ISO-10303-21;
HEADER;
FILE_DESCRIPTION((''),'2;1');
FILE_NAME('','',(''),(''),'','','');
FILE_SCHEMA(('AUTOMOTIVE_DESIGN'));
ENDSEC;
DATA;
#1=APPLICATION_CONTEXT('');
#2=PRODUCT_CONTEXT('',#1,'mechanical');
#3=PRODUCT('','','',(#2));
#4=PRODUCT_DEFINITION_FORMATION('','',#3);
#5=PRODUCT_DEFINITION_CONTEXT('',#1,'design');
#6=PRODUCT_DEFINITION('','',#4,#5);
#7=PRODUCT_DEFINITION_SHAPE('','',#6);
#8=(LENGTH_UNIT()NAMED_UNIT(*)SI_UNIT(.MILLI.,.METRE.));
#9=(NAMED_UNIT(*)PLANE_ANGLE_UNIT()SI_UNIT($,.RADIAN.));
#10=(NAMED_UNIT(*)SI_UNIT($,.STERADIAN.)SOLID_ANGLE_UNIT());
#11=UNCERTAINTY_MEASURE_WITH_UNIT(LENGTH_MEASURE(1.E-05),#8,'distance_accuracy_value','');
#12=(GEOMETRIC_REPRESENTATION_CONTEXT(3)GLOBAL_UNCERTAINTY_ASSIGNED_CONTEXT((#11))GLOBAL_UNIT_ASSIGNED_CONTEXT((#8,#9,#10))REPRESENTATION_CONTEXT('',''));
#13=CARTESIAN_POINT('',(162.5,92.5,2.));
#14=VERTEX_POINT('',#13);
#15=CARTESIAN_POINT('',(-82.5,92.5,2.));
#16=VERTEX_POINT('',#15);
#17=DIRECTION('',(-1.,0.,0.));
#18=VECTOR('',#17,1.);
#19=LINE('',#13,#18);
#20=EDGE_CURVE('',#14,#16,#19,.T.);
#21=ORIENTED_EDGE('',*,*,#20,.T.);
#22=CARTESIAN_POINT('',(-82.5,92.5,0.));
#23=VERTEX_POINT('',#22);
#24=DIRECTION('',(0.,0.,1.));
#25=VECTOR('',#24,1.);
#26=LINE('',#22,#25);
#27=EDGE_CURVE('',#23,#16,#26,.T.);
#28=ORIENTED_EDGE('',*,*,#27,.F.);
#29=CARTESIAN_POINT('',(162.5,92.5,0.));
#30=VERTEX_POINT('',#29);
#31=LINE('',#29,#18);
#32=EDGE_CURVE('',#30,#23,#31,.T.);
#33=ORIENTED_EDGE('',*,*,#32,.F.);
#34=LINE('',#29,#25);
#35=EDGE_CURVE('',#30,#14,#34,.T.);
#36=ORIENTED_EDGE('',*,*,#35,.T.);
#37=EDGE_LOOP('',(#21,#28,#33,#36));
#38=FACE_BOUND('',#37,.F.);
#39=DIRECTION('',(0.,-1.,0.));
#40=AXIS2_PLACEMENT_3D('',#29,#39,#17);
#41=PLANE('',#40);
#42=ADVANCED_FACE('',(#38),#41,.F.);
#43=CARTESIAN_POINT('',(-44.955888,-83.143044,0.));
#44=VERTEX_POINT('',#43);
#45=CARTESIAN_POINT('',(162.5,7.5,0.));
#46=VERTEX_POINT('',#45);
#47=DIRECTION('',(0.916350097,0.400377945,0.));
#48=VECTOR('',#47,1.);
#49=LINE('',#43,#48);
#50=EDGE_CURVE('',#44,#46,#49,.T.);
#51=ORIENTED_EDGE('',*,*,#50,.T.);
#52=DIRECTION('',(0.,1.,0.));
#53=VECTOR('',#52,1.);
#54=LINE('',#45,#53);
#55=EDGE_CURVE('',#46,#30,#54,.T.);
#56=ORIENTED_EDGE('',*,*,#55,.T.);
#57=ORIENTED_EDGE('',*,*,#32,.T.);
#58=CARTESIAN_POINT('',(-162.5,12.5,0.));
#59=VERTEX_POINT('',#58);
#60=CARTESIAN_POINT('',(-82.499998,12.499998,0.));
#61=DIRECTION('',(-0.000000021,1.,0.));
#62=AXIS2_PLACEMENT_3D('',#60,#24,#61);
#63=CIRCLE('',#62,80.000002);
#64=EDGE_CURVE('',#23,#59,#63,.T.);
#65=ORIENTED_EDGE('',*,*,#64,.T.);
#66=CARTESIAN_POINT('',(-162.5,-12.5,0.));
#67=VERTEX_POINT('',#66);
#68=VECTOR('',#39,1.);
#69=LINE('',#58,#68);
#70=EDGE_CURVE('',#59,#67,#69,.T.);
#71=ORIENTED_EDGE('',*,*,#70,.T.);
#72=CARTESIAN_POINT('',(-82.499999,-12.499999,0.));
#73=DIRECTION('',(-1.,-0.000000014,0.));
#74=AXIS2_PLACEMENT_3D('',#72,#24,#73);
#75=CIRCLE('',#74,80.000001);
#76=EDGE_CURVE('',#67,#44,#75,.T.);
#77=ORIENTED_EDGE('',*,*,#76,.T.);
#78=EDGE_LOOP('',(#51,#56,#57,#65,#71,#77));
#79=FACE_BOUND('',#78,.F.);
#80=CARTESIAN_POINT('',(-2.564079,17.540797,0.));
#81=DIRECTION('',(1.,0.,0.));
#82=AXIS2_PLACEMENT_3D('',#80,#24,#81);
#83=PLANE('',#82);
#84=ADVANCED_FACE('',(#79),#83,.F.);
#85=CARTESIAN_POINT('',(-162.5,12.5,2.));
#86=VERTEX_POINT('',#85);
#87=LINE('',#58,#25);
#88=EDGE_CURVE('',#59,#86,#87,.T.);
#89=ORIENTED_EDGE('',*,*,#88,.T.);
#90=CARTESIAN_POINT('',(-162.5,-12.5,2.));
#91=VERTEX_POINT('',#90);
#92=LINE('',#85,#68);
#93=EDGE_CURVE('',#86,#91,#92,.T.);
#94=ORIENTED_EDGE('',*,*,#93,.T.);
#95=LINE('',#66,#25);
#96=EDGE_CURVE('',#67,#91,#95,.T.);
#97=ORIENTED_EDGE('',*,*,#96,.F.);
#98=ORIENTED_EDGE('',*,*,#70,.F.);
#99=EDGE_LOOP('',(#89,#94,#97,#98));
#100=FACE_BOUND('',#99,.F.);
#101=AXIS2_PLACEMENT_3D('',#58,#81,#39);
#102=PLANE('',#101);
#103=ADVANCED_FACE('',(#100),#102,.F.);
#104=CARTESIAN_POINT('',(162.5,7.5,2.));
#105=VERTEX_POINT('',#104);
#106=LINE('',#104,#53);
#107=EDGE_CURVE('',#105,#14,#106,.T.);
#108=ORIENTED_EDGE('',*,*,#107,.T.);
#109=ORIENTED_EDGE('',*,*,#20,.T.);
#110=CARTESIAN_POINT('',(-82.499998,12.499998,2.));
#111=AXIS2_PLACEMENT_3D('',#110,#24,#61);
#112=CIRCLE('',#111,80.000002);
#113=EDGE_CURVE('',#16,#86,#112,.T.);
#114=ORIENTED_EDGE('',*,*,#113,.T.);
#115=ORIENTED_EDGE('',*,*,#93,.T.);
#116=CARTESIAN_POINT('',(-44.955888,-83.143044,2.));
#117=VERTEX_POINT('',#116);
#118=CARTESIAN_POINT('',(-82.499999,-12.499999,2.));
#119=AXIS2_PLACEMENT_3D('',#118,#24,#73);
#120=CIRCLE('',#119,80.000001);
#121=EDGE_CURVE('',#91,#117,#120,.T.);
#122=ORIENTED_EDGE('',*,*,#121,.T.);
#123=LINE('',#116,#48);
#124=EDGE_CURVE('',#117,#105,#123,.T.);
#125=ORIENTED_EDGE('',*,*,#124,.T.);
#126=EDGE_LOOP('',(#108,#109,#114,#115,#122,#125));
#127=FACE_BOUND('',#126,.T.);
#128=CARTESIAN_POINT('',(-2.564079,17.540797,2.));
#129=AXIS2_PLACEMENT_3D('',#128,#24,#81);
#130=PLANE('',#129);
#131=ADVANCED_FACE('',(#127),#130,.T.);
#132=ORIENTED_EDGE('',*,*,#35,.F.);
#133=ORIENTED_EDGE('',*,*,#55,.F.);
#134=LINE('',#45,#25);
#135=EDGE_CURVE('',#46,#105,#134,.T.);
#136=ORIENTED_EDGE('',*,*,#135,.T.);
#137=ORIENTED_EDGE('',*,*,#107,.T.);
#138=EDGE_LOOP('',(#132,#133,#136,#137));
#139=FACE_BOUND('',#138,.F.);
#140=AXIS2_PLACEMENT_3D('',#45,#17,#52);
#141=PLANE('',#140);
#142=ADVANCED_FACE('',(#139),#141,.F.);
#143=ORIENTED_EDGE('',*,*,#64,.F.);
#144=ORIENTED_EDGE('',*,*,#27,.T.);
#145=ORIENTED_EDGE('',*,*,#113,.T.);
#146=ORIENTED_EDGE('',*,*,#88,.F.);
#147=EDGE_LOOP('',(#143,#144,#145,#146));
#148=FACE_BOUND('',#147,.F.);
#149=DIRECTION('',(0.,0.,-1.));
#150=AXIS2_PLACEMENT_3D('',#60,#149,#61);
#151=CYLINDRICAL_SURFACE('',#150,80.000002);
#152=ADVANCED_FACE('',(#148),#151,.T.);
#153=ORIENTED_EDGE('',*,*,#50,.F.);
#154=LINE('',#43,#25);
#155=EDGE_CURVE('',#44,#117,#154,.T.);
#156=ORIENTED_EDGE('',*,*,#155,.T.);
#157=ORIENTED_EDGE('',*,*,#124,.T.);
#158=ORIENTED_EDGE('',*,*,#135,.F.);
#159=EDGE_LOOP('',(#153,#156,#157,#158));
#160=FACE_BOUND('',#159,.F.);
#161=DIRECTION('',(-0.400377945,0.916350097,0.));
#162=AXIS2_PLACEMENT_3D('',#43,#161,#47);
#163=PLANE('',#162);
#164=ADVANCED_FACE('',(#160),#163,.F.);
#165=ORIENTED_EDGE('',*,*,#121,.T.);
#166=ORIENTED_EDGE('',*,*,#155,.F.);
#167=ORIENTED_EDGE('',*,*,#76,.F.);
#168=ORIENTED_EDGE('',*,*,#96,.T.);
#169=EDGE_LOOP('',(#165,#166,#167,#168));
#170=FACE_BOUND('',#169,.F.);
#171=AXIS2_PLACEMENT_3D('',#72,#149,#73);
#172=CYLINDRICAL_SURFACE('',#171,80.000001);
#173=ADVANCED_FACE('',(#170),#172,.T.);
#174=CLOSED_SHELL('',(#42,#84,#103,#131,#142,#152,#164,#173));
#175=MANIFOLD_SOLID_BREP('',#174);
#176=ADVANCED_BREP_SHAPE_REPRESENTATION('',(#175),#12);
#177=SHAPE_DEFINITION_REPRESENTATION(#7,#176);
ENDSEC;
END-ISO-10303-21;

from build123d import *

# Parameters (mm, degrees)
F1_DEPTH = 2


with BuildPart() as f1:
    # F0 (on Top) → F1 (new body)
    with BuildSketch(Plane.XY):
        with BuildLine():
            ThreePointArc((-82.5, 92.5), (-139.068542, 69.068542), (-162.5, 12.5))
            Line((-162.5, 12.5), (-162.5, -12.5))
            ThreePointArc((-162.5, -12.5), (-123.709653, -81.069413), (-44.955888, -83.143044))
            Line((-44.955888, -83.143044), (162.5, 7.5))
            Line((162.5, 7.5), (162.5, 92.5))
            Line((162.5, 92.5), (-82.5, 92.5))
        make_face()
    extrude(amount=F1_DEPTH)


solid = f1.part
